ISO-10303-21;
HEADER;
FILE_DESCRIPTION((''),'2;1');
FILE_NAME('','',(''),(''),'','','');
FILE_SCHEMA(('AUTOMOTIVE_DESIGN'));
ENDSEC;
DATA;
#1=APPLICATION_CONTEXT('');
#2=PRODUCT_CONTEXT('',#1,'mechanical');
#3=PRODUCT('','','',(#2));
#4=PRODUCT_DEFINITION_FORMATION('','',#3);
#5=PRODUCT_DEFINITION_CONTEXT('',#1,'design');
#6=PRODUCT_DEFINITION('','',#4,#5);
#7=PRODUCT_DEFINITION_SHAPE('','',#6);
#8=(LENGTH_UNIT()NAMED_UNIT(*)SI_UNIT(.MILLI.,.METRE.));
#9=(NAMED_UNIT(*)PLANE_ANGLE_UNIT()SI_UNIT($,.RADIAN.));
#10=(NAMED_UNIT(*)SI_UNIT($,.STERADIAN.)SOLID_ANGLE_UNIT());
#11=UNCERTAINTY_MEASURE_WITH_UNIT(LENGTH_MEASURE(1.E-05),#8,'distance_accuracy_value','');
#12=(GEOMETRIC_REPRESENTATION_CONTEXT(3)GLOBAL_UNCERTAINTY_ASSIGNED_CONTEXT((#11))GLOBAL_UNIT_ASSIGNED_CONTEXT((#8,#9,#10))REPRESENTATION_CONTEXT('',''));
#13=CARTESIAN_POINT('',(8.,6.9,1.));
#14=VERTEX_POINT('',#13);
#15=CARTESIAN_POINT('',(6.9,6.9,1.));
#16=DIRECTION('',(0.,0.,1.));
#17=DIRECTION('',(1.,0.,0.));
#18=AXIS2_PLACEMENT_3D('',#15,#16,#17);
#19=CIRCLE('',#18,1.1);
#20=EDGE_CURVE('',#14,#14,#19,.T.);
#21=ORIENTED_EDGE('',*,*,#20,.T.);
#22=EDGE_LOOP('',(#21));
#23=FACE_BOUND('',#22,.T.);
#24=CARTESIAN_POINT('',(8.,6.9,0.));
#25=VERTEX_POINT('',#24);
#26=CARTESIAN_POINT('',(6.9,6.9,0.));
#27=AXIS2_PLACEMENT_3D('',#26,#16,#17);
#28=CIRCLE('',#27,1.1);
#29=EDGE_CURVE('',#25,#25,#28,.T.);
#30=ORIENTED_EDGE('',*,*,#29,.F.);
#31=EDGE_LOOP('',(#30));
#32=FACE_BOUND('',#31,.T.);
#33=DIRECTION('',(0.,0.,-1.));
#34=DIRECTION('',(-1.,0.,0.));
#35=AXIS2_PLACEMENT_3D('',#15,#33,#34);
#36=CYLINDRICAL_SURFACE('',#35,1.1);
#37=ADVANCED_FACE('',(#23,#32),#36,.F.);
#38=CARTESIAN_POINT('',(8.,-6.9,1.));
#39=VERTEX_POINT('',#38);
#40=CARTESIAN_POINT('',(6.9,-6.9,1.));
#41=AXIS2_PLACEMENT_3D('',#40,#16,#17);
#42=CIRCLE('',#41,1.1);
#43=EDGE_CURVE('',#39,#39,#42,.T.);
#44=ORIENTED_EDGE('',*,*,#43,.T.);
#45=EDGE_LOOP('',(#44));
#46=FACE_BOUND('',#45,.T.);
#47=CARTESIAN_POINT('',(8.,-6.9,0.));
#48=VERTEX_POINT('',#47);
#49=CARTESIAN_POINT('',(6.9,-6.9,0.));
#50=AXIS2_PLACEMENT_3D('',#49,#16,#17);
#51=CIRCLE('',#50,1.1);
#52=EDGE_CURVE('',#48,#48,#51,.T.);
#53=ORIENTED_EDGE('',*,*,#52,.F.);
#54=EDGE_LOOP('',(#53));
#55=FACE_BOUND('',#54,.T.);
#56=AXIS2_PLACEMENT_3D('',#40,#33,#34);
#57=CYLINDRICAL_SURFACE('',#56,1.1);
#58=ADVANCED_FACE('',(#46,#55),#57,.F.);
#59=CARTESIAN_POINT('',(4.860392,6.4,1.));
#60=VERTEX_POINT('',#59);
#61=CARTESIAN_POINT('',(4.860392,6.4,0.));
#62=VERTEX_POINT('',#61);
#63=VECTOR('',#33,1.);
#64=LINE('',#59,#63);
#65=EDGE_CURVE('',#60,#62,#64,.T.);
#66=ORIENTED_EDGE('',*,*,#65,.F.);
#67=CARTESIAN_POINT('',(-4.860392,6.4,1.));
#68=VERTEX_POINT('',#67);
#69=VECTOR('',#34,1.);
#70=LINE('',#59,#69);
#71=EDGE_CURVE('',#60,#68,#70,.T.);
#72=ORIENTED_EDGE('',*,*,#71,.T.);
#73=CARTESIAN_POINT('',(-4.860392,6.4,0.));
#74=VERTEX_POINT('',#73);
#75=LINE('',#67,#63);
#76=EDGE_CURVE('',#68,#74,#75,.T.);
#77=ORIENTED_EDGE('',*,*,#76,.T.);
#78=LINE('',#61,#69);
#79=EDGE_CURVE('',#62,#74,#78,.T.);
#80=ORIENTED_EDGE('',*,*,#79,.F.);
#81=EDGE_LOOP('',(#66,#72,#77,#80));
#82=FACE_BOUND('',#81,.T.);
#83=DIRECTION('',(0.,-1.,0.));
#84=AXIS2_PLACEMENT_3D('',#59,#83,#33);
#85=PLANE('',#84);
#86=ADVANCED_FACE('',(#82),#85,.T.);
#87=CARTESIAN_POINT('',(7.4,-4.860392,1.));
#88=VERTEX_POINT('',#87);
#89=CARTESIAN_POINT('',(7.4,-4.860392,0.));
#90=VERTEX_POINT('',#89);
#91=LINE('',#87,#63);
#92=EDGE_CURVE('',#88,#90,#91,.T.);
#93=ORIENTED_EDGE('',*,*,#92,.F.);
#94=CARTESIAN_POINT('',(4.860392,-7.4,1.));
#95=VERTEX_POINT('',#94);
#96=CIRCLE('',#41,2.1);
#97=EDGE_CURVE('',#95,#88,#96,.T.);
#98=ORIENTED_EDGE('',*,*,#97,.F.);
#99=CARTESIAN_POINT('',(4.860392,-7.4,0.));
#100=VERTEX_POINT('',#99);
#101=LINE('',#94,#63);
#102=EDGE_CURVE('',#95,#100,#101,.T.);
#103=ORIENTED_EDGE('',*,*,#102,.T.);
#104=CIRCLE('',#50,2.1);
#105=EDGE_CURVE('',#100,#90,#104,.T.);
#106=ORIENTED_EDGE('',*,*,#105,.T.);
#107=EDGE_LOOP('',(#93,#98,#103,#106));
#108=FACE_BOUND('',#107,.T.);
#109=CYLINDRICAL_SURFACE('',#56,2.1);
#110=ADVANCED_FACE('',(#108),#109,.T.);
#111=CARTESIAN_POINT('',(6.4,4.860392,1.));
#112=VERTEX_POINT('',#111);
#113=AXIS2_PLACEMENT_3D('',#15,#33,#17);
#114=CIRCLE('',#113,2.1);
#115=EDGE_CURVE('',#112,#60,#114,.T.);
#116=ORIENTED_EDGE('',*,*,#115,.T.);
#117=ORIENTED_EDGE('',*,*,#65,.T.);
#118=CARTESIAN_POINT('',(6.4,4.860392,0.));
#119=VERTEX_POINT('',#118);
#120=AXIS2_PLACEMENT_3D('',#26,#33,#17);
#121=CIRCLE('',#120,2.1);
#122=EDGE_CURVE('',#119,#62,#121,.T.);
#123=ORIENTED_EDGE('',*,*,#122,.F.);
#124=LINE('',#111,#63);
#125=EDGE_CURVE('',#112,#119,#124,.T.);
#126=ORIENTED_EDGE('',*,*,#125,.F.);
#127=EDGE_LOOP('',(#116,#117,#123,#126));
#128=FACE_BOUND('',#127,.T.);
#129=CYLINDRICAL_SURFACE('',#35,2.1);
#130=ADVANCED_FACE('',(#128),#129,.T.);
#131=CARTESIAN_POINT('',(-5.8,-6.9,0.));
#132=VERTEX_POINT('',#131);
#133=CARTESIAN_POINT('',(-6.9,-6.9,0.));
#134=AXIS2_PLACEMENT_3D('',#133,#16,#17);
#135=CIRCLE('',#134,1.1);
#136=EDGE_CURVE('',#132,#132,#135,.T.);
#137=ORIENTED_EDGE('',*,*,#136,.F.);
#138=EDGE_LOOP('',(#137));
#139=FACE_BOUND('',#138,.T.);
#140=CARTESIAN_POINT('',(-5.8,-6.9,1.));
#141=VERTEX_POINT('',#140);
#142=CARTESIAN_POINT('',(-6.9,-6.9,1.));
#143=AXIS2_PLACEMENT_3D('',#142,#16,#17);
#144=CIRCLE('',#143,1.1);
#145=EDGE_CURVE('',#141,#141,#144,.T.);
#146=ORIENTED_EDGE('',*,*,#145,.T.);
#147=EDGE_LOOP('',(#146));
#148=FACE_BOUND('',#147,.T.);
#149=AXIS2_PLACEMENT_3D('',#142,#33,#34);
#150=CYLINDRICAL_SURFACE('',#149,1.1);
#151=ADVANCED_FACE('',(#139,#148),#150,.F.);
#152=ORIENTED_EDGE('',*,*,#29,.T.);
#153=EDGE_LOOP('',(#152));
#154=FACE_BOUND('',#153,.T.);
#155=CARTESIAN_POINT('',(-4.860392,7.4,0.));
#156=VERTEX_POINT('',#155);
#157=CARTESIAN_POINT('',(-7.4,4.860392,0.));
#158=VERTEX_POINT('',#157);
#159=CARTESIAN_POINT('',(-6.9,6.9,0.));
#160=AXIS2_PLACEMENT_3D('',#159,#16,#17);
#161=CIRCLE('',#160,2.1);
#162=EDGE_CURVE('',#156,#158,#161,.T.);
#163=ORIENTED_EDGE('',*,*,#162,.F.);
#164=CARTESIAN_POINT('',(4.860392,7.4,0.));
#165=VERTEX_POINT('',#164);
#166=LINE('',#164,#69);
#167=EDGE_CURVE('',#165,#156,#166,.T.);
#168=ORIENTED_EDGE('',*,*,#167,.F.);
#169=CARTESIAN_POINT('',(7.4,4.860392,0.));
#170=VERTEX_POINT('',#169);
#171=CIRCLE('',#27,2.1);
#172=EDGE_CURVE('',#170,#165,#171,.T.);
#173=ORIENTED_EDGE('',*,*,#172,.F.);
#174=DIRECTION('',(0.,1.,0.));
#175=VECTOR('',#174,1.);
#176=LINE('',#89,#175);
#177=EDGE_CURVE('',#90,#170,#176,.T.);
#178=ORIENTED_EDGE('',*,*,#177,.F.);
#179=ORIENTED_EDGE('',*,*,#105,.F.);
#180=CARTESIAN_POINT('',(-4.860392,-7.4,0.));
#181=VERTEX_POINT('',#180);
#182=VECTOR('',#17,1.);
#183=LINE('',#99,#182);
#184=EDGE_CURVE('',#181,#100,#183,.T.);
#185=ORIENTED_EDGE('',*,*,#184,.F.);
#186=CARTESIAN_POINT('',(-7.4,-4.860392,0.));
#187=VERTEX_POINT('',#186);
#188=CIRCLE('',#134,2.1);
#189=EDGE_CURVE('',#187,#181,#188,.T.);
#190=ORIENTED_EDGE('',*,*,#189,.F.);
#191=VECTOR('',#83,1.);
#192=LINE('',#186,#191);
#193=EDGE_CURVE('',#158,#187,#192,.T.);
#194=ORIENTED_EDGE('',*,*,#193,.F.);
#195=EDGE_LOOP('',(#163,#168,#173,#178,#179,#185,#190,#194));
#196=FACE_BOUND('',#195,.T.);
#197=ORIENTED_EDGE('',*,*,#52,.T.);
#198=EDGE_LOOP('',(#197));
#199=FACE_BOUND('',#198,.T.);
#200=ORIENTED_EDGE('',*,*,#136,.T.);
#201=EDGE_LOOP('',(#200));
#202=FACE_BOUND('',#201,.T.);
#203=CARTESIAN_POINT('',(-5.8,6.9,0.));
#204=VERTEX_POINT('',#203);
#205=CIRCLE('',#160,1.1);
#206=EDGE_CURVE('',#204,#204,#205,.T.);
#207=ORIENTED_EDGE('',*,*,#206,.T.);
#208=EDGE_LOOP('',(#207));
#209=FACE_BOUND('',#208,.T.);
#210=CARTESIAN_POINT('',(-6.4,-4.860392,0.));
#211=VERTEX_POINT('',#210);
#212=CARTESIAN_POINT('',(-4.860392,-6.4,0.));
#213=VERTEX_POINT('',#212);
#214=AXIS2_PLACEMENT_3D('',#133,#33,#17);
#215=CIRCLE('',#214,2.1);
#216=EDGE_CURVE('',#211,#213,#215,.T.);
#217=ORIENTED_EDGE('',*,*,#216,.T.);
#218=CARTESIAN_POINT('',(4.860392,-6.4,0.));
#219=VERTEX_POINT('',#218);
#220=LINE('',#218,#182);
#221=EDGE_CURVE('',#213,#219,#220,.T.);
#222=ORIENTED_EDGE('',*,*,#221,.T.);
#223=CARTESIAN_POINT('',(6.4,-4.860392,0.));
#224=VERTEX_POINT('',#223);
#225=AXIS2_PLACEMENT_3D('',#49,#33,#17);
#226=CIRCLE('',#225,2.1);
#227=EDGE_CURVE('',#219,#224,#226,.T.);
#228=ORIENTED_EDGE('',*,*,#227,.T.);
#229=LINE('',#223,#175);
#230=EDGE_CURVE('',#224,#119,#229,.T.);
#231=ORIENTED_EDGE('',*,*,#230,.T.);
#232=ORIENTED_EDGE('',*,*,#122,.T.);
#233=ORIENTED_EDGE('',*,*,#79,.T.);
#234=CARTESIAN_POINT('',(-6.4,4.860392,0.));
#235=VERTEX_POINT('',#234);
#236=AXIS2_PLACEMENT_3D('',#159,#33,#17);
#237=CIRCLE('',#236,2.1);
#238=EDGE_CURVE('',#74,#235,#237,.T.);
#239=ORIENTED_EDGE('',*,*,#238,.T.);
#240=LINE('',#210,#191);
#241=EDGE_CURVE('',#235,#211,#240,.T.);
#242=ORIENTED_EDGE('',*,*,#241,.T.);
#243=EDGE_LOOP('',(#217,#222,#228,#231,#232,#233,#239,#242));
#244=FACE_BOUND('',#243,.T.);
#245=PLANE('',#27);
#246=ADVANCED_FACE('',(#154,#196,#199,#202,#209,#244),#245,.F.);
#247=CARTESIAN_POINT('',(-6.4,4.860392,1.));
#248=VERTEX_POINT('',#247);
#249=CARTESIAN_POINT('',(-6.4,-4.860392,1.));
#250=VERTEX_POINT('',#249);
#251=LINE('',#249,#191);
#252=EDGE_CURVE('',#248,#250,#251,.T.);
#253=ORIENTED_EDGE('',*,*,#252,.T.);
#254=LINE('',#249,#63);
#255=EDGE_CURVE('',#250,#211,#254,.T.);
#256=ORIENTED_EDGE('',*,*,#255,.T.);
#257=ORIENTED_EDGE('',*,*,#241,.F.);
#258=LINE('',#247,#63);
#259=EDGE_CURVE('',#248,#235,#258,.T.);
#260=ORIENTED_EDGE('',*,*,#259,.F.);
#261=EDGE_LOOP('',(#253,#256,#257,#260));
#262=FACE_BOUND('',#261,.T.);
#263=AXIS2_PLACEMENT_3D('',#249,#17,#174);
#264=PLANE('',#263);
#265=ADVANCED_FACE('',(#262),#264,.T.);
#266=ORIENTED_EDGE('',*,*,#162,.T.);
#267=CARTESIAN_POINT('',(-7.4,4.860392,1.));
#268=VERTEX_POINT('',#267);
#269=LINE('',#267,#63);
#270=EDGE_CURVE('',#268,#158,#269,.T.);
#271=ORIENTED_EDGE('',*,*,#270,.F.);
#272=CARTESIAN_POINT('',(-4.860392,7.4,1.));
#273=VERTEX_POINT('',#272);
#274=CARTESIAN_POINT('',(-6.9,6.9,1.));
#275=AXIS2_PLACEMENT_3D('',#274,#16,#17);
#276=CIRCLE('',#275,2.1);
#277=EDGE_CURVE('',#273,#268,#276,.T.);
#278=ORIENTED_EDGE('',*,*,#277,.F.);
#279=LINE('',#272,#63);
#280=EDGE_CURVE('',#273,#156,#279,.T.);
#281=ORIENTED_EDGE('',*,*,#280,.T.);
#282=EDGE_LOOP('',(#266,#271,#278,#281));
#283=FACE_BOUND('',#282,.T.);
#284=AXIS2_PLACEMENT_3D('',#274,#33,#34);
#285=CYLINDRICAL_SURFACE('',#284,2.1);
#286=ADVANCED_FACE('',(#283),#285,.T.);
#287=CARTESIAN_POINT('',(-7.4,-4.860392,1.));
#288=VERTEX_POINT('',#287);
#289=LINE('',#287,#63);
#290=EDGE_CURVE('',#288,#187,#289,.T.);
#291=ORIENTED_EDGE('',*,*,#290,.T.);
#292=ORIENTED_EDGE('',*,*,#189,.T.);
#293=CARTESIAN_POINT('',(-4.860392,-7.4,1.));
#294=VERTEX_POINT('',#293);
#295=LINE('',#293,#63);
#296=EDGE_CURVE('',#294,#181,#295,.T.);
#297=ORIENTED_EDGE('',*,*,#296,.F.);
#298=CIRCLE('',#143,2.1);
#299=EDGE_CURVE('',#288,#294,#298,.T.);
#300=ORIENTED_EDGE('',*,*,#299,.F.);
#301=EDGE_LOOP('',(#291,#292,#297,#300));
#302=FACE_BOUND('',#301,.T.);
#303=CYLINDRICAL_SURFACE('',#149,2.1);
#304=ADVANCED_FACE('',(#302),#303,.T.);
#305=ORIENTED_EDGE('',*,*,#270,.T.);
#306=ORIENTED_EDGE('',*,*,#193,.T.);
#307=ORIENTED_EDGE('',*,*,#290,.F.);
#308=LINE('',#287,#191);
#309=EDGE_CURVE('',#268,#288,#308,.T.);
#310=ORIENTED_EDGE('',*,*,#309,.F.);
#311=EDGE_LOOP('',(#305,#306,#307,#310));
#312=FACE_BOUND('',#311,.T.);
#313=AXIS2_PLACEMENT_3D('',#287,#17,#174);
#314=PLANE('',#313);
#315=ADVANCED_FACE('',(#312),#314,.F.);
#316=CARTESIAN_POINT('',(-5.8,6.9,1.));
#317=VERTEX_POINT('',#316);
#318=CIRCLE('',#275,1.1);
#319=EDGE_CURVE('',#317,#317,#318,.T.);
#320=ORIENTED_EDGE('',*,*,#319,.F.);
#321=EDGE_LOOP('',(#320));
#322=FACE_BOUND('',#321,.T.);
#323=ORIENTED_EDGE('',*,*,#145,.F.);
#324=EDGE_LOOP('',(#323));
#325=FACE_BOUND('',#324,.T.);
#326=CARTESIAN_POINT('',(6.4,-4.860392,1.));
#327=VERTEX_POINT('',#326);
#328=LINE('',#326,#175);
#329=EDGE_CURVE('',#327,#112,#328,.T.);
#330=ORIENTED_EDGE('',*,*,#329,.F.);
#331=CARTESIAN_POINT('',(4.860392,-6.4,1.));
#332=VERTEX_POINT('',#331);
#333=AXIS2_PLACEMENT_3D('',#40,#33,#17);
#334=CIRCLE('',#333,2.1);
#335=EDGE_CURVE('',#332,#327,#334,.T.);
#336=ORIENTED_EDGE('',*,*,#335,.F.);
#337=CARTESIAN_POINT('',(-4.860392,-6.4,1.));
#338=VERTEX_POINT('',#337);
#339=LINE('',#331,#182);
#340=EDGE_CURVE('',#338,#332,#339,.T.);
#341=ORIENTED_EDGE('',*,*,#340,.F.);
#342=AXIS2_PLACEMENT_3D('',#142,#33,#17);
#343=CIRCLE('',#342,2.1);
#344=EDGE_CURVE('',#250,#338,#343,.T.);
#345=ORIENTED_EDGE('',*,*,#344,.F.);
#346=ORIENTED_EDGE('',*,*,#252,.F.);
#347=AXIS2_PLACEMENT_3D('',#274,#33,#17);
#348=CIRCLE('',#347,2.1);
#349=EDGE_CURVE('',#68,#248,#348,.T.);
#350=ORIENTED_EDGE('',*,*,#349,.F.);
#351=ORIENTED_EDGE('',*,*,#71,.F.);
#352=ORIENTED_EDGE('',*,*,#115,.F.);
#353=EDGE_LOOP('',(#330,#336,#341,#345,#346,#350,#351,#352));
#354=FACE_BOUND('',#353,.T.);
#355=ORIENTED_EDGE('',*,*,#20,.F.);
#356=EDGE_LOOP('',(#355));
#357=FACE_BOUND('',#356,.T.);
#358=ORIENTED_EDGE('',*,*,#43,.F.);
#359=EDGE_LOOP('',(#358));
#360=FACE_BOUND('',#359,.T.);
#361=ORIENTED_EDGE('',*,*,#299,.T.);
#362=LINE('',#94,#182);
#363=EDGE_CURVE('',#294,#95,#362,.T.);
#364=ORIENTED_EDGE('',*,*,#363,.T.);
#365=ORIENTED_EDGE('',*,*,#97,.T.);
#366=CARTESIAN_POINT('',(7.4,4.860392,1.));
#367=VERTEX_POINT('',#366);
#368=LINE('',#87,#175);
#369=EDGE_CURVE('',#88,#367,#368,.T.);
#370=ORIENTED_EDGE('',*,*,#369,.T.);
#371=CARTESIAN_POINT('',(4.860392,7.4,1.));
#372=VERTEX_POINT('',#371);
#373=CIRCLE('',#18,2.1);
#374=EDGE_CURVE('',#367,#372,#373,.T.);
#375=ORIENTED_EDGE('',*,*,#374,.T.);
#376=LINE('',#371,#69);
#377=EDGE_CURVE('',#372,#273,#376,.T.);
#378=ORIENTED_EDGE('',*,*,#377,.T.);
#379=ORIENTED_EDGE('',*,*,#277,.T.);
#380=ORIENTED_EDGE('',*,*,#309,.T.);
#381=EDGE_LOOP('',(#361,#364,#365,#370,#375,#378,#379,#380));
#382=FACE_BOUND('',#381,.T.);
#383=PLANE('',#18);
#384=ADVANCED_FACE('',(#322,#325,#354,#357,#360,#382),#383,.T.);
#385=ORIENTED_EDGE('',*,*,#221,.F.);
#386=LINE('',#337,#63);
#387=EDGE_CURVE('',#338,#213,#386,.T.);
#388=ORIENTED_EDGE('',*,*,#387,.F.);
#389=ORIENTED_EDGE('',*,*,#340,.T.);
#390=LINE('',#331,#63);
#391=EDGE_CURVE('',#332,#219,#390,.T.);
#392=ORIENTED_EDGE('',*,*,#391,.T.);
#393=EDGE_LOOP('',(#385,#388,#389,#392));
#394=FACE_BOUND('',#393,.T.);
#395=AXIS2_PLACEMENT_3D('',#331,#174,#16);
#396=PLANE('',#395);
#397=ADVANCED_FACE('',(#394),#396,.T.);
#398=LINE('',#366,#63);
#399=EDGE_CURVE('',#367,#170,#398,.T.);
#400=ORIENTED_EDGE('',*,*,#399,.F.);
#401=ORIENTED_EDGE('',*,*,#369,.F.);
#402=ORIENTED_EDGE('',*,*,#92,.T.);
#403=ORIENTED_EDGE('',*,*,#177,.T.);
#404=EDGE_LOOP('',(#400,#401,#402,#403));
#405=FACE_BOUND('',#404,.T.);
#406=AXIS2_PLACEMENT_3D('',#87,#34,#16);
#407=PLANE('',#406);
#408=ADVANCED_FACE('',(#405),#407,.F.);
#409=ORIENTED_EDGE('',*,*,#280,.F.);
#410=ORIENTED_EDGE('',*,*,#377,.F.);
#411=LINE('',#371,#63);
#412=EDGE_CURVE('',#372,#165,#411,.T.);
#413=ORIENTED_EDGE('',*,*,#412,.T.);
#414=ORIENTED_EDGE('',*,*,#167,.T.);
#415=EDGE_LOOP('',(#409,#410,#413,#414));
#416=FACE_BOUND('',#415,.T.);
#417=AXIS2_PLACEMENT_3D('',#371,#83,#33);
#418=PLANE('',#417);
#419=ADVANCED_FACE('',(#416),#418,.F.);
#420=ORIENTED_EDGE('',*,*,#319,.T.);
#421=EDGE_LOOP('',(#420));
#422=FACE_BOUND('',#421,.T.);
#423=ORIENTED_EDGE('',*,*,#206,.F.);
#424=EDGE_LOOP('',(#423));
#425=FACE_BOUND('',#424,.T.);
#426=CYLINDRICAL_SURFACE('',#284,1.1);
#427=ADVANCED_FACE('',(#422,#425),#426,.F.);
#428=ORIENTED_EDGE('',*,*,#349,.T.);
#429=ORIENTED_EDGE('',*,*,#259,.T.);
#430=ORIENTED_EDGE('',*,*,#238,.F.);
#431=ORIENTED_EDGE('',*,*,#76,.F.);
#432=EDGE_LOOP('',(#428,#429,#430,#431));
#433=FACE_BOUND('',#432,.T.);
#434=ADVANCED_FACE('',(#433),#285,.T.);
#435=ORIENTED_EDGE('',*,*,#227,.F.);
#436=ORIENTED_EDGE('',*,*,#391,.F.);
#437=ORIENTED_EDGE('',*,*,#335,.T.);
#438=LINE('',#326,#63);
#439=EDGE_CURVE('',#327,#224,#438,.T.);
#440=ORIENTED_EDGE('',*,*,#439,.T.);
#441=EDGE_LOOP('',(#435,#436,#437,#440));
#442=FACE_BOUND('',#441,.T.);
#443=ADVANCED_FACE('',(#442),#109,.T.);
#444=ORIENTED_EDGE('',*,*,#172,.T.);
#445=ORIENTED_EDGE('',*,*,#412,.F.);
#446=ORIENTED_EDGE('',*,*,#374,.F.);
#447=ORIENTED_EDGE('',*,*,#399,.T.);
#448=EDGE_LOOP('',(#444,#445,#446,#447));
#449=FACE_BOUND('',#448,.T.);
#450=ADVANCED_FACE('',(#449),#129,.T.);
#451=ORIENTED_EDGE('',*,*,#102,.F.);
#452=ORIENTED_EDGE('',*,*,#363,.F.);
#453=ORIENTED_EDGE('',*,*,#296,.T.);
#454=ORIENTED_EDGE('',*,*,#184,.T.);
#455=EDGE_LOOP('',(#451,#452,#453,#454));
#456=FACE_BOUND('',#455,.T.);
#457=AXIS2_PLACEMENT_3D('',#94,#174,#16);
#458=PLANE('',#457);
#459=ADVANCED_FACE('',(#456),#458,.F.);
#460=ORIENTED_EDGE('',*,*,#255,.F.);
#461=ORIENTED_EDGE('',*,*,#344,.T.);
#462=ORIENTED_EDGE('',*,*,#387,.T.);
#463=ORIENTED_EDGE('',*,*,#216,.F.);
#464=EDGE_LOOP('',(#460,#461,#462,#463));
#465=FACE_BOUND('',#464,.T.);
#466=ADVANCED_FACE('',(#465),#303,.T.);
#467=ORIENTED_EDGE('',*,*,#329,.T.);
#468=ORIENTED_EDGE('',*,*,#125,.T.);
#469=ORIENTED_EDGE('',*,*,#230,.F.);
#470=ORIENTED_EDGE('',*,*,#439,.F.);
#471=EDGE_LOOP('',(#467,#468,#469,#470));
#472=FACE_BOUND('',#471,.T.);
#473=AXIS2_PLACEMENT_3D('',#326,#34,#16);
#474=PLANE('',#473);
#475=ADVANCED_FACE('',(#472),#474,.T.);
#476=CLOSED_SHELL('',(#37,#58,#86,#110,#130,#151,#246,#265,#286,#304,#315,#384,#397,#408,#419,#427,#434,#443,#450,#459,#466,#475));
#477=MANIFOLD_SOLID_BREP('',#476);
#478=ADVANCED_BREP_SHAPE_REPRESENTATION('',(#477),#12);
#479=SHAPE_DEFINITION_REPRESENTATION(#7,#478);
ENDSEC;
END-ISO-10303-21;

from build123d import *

# Parameters (mm, degrees)
SKETCH1_R           = 1.1
BOSS_EXTRUDE1_DEPTH = 1


with BuildPart() as part:
    # Sketch1 → Boss-Extrude1 (new body)
    with BuildSketch(Plane(origin=(0, 0, 0), x_dir=(0, 1, 0), z_dir=(0, 0, 1))):
        with BuildLine():
            Line((-4.860392195, 7.4), (4.860392195, 7.4))
            ThreePointArc((4.860392195, 7.4), (8.38492424, 8.38492424), (7.4, 4.860392195))
            Line((7.4, 4.860392195), (7.4, -4.860392195))
            ThreePointArc((7.4, -4.860392195), (8.38492424, -8.38492424), (4.860392195, -7.4))
            Line((4.860392195, -7.4), (-4.860392195, -7.4))
            ThreePointArc((-4.860392195, -7.4), (-8.38492424, -8.38492424), (-7.4, -4.860392195))
            Line((-7.4, -4.860392195), (-7.4, 4.860392195))
            ThreePointArc((-7.4, 4.860392195), (-8.38492424, 8.38492424), (-4.860392195, 7.4))
        make_face()
        with Locations((-6.9, 6.9)):
            Circle(SKETCH1_R, mode=Mode.SUBTRACT)
        with Locations((6.9, 6.9)):
            Circle(SKETCH1_R, mode=Mode.SUBTRACT)
        with Locations((6.9, -6.9)):
            Circle(SKETCH1_R, mode=Mode.SUBTRACT)
        with Locations((-6.9, -6.9)):
            Circle(SKETCH1_R, mode=Mode.SUBTRACT)
        with BuildLine():
            Line((-4.860392195, 6.4), (4.860392195, 6.4))
            ThreePointArc((4.860392195, 6.4), (5.41507576, 5.41507576), (6.4, 4.860392195))
            Line((6.4, 4.860392195), (6.4, -4.860392195))
            ThreePointArc((6.4, -4.860392195), (5.41507576, -5.41507576), (4.860392195, -6.4))
            Line((4.860392195, -6.4), (-4.860392195, -6.4))
            ThreePointArc((-4.860392195, -6.4), (-5.41507576, -5.41507576), (-6.4, -4.860392195))
            Line((-6.4, -4.860392195), (-6.4, 4.860392195))
            ThreePointArc((-6.4, 4.860392195), (-5.41507576, 5.41507576), (-4.860392195, 6.4))
        make_face(mode=Mode.SUBTRACT)
    extrude(amount=BOSS_EXTRUDE1_DEPTH)


solid = part.part
